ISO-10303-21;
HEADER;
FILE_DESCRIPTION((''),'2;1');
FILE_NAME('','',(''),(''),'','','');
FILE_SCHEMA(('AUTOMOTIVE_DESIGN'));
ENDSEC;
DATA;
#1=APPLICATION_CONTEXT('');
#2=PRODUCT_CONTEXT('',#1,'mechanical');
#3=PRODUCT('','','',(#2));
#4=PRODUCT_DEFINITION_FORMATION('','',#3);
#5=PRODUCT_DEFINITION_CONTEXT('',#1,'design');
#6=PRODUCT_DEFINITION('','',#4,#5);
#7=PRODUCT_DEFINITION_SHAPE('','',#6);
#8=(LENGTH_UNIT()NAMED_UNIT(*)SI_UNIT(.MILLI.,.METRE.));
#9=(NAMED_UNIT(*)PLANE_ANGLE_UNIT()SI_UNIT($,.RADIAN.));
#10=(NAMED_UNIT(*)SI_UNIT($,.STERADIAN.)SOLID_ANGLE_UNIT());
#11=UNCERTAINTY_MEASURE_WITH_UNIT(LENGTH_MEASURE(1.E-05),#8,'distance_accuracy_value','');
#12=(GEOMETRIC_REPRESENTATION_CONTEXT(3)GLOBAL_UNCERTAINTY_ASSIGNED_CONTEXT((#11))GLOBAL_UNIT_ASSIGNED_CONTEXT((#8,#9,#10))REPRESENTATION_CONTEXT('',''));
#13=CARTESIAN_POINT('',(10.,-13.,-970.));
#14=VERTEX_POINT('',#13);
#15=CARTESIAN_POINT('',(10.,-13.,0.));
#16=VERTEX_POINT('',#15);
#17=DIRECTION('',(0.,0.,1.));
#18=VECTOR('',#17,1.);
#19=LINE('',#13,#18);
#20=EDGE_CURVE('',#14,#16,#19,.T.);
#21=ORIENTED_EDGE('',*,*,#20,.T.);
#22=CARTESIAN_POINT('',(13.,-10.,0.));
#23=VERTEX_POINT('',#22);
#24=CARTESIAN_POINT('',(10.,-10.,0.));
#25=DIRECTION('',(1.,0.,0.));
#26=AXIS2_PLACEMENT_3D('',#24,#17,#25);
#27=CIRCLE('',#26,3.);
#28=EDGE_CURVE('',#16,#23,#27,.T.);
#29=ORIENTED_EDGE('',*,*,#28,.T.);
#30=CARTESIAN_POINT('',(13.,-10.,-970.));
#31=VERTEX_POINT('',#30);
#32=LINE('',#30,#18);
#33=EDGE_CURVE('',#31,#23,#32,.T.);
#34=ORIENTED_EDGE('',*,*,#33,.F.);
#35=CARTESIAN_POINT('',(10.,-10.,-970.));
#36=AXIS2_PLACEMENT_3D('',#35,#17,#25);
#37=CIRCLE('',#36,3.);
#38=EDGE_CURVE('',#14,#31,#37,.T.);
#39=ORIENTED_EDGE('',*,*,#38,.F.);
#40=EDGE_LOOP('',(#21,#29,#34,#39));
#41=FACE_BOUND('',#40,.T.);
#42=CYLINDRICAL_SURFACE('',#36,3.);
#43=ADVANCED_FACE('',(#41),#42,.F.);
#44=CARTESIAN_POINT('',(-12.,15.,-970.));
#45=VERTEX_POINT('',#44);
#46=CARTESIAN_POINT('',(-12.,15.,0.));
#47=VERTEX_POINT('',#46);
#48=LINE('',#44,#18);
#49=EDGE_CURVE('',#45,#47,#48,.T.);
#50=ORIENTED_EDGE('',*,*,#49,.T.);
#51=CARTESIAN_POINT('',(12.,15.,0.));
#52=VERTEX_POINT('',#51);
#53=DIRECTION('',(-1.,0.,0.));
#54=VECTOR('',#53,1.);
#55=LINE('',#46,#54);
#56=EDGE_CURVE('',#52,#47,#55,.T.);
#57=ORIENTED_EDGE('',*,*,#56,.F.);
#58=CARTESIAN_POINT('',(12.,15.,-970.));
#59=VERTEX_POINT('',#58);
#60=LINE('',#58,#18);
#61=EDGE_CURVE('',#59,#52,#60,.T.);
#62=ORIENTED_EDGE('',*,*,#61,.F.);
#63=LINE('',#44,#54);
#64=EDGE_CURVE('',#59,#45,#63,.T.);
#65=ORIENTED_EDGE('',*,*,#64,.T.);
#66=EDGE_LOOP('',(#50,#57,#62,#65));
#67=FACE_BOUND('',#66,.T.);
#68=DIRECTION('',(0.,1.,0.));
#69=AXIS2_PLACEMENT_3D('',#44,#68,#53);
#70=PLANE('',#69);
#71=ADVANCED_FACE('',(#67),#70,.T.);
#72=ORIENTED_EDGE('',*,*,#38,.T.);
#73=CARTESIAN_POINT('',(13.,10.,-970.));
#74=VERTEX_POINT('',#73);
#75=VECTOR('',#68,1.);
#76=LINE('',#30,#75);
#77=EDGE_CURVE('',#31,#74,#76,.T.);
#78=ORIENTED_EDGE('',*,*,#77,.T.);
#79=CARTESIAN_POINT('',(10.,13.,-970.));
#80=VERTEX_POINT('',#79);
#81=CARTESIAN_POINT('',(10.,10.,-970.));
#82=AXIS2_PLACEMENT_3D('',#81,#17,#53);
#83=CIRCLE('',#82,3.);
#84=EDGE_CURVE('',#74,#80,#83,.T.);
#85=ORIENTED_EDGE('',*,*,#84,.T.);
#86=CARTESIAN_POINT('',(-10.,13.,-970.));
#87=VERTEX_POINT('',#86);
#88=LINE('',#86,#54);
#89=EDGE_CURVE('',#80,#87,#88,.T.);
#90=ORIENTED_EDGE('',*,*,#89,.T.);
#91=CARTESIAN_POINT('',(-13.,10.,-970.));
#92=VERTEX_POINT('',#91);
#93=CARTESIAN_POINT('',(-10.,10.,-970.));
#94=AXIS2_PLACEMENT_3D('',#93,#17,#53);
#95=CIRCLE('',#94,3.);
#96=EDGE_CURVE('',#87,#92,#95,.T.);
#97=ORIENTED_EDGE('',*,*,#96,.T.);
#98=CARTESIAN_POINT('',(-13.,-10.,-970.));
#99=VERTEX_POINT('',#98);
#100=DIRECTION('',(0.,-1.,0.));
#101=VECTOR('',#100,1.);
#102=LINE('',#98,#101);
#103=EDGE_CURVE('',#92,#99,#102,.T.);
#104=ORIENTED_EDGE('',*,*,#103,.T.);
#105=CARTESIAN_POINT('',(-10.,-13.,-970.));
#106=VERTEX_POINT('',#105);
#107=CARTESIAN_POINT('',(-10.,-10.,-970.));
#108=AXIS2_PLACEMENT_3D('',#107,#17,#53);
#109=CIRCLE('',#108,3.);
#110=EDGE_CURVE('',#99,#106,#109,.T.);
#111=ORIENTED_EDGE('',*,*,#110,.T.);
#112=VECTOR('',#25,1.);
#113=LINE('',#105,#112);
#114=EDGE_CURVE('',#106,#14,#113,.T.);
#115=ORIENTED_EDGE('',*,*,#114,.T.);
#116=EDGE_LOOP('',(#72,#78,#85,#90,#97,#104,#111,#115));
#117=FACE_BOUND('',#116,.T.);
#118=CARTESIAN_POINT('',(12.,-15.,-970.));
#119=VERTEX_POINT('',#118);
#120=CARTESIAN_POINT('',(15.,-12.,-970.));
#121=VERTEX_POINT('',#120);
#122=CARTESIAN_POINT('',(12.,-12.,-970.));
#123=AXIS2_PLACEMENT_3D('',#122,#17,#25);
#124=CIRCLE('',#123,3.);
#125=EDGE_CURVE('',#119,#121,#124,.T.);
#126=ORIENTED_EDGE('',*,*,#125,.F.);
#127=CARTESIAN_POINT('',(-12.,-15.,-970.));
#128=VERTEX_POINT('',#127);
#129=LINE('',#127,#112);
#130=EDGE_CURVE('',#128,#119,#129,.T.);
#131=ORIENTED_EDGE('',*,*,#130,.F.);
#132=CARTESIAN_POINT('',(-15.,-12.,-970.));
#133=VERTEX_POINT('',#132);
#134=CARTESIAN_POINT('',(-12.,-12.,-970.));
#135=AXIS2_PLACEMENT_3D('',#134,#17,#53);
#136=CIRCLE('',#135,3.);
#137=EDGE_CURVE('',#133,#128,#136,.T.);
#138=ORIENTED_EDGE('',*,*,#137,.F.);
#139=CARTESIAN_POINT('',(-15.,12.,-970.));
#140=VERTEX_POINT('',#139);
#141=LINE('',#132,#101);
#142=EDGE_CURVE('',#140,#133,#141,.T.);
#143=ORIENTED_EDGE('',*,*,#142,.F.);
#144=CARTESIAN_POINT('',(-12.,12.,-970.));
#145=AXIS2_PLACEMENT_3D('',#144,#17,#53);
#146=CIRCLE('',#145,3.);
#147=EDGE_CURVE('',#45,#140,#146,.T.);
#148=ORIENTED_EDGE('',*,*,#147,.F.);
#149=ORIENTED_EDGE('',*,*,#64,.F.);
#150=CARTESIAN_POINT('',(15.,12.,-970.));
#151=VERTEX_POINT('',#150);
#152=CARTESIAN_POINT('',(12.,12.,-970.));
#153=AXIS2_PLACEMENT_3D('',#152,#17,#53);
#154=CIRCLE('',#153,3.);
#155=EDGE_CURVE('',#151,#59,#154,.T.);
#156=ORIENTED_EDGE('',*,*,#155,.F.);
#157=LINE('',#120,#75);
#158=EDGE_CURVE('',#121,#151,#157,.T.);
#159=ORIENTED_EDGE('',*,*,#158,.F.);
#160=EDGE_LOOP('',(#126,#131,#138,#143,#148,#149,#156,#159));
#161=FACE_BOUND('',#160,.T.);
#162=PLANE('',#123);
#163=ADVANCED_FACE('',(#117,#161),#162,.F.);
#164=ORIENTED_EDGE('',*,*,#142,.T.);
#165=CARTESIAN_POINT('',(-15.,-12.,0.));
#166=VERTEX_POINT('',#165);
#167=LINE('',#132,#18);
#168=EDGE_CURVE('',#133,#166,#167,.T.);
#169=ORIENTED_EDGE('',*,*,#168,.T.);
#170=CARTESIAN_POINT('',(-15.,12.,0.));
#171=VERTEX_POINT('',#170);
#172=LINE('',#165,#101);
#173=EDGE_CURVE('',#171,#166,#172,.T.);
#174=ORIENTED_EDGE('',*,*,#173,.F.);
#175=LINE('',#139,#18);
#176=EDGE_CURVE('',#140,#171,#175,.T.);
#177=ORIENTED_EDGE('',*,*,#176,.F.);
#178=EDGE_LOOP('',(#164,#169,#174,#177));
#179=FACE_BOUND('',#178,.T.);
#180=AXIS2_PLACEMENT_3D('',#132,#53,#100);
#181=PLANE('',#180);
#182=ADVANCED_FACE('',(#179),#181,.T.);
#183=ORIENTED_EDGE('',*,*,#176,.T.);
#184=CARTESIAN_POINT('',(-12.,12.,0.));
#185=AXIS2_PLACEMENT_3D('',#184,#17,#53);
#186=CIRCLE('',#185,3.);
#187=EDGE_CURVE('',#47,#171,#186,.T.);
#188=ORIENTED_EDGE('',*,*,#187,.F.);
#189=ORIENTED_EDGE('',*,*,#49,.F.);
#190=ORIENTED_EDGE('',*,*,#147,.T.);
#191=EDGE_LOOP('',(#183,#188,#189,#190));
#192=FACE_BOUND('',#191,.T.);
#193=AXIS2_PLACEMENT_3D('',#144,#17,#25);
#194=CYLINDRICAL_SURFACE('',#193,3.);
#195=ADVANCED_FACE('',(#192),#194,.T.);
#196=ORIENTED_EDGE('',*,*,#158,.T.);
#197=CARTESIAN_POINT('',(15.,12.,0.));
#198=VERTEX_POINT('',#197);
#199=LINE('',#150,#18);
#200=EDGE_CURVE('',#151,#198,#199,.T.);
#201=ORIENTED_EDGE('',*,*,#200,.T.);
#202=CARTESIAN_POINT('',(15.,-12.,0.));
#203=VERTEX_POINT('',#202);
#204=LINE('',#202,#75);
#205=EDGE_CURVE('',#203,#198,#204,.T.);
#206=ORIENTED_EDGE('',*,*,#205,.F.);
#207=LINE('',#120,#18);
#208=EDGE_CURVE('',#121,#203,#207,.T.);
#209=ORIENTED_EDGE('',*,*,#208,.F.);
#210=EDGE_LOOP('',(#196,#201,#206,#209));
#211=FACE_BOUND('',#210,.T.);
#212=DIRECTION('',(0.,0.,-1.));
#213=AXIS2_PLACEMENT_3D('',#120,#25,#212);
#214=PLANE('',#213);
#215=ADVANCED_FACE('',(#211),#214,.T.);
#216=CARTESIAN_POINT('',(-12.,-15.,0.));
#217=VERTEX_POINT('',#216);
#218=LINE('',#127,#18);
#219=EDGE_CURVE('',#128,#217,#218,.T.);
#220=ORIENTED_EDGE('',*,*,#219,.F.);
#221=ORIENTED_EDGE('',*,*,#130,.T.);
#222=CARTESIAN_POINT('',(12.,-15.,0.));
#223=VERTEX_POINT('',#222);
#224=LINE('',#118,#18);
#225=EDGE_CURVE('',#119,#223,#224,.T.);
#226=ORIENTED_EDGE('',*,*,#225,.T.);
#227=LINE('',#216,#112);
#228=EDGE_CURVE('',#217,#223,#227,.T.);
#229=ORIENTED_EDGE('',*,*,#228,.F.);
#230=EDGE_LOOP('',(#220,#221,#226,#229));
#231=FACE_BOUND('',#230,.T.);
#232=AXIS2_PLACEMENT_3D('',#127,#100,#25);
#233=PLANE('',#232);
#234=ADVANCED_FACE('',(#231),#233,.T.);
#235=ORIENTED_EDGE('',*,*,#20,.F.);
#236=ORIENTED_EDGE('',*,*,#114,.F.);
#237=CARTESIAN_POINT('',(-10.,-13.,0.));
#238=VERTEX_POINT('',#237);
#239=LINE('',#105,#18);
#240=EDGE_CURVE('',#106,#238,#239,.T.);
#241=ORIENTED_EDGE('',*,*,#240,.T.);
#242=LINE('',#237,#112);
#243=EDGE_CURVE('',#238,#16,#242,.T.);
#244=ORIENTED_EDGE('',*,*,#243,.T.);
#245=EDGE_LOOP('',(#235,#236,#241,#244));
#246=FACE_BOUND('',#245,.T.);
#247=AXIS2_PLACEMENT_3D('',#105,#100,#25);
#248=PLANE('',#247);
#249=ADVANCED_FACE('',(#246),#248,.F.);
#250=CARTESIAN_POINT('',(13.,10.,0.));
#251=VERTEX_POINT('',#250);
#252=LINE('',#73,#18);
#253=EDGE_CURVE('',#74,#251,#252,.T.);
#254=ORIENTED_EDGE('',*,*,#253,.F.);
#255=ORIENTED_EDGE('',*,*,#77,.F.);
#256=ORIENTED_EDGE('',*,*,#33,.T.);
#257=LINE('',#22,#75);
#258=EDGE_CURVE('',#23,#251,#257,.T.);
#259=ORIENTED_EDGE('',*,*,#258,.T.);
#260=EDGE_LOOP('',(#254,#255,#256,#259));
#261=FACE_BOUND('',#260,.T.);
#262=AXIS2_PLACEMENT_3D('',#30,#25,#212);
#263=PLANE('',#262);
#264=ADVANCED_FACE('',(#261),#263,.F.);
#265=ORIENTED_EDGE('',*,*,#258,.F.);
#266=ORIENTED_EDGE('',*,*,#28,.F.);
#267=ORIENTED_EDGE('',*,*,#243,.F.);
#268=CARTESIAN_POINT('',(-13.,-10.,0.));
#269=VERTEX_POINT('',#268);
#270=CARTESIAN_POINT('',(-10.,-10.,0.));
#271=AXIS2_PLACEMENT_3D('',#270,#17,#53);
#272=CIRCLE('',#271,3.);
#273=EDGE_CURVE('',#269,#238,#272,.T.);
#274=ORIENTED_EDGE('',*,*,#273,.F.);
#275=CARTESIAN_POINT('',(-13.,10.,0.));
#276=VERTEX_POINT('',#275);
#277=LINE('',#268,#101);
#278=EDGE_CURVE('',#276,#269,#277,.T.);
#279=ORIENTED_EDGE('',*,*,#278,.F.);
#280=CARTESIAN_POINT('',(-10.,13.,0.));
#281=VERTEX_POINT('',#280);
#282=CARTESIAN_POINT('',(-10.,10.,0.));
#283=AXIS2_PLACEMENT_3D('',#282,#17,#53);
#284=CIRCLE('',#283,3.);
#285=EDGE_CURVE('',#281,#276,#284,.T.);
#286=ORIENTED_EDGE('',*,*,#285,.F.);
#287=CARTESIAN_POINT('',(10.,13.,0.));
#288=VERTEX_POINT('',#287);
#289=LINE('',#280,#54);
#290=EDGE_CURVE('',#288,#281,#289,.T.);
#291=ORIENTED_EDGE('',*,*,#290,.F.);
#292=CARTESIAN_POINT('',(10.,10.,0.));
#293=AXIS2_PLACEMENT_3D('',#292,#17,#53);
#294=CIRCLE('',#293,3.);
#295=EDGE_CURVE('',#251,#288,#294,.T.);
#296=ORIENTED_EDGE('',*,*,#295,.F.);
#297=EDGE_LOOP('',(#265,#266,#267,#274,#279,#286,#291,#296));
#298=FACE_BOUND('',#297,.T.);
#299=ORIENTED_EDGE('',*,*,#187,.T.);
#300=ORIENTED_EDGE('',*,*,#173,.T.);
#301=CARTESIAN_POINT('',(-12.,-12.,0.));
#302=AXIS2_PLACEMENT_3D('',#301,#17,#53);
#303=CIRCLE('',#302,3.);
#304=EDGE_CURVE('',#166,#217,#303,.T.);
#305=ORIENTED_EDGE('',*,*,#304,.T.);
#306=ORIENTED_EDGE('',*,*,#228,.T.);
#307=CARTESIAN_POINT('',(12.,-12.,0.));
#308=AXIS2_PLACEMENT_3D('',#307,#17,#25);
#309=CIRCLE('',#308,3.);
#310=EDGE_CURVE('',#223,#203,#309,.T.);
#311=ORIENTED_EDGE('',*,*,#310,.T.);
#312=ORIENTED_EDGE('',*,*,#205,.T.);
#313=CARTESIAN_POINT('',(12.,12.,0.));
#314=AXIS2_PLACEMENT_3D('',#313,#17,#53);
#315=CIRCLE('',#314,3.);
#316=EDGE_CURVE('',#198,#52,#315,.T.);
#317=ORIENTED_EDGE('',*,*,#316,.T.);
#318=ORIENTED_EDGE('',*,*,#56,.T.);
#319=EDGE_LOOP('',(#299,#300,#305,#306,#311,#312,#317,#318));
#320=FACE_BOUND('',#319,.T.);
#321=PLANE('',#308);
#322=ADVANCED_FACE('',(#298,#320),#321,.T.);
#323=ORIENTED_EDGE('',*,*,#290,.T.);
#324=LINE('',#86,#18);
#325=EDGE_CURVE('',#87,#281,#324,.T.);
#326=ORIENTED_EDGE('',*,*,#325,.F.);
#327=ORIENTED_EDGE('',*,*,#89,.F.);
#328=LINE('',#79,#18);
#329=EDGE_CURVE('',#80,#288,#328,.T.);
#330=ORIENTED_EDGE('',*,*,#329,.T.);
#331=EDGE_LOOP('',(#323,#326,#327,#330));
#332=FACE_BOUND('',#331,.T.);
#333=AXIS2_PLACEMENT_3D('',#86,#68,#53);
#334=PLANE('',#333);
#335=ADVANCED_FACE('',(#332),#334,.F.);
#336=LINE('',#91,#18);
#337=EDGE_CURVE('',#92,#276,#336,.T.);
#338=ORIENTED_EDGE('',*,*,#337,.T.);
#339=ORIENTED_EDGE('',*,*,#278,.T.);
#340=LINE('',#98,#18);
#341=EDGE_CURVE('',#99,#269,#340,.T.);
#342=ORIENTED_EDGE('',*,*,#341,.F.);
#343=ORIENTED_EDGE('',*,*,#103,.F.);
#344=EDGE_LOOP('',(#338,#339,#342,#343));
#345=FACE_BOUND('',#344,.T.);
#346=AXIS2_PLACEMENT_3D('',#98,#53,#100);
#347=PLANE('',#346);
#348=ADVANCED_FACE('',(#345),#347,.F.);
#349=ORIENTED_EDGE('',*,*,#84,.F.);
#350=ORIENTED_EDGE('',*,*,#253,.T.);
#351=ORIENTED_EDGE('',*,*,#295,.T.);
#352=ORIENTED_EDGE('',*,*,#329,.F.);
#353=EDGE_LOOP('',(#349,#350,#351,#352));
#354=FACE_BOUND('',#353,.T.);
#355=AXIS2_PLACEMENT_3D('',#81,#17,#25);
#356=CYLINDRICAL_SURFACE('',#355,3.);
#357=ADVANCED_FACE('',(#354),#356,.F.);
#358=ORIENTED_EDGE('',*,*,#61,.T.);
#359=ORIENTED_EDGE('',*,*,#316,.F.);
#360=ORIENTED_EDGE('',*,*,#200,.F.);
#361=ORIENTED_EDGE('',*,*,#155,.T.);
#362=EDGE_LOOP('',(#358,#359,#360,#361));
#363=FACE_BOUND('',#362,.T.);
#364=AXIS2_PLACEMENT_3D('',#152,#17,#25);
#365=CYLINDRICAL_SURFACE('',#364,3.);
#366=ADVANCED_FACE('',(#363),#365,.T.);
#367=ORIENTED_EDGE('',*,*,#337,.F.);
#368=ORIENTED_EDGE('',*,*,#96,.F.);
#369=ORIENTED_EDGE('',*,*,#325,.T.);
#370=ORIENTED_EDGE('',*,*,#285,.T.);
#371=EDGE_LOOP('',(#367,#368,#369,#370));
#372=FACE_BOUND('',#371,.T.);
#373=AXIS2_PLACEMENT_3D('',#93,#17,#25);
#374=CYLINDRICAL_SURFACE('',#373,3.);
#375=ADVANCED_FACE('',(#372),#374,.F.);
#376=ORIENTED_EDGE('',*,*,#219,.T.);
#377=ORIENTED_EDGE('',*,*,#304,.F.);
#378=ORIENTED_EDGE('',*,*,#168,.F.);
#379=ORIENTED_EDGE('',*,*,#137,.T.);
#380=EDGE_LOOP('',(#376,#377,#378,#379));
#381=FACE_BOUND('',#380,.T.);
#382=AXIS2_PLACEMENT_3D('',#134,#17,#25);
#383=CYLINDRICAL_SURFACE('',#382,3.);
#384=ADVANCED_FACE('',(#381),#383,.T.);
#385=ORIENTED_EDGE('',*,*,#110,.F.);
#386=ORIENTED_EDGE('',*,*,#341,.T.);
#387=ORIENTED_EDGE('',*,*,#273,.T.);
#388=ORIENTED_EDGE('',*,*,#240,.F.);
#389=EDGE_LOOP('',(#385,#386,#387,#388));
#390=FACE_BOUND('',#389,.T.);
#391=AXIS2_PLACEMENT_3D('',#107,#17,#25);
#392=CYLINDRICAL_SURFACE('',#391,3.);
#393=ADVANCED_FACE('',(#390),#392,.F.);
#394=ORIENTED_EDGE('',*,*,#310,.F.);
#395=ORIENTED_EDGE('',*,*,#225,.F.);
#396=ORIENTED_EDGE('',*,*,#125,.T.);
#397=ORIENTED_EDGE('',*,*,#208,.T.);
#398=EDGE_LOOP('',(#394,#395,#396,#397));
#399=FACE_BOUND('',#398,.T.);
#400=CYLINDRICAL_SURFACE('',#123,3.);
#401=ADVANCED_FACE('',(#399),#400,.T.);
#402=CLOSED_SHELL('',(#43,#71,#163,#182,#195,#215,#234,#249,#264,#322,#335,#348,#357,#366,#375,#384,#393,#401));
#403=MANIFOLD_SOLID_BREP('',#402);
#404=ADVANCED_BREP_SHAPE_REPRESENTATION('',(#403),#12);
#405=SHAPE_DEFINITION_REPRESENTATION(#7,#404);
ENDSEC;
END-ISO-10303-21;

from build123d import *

# Parameters (mm, degrees)
BOSS_EXTRU_1_DEPTH = 970


with BuildPart() as part:
    # Esquisse1 → Boss.-Extru.1 (new body)
    with BuildSketch(Plane.XY):
        with BuildLine():
            Line((-12, -15), (12, -15))
            ThreePointArc((12, -15), (14.121320344, -14.121320344), (15, -12))
            Line((15, -12), (15, 12))
            ThreePointArc((15, 12), (14.121320344, 14.121320344), (12, 15))
            Line((12, 15), (-12, 15))
            ThreePointArc((-12, 15), (-14.121320344, 14.121320344), (-15, 12))
            Line((-15, 12), (-15, -12))
            ThreePointArc((-15, -12), (-14.121320344, -14.121320344), (-12, -15))
        make_face()
        with BuildLine():
            Line((-10, -13), (10, -13))
            ThreePointArc((10, -13), (12.121320344, -12.121320344), (13, -10))
            Line((13, -10), (13, 10))
            ThreePointArc((13, 10), (12.121320344, 12.121320344), (10, 13))
            Line((10, 13), (-10, 13))
            ThreePointArc((-10, 13), (-12.121320344, 12.121320344), (-13, 10))
            Line((-13, 10), (-13, -10))
            ThreePointArc((-13, -10), (-12.121320344, -12.121320344), (-10, -13))
        make_face(mode=Mode.SUBTRACT)
    extrude(amount=-BOSS_EXTRU_1_DEPTH)


solid = part.part
